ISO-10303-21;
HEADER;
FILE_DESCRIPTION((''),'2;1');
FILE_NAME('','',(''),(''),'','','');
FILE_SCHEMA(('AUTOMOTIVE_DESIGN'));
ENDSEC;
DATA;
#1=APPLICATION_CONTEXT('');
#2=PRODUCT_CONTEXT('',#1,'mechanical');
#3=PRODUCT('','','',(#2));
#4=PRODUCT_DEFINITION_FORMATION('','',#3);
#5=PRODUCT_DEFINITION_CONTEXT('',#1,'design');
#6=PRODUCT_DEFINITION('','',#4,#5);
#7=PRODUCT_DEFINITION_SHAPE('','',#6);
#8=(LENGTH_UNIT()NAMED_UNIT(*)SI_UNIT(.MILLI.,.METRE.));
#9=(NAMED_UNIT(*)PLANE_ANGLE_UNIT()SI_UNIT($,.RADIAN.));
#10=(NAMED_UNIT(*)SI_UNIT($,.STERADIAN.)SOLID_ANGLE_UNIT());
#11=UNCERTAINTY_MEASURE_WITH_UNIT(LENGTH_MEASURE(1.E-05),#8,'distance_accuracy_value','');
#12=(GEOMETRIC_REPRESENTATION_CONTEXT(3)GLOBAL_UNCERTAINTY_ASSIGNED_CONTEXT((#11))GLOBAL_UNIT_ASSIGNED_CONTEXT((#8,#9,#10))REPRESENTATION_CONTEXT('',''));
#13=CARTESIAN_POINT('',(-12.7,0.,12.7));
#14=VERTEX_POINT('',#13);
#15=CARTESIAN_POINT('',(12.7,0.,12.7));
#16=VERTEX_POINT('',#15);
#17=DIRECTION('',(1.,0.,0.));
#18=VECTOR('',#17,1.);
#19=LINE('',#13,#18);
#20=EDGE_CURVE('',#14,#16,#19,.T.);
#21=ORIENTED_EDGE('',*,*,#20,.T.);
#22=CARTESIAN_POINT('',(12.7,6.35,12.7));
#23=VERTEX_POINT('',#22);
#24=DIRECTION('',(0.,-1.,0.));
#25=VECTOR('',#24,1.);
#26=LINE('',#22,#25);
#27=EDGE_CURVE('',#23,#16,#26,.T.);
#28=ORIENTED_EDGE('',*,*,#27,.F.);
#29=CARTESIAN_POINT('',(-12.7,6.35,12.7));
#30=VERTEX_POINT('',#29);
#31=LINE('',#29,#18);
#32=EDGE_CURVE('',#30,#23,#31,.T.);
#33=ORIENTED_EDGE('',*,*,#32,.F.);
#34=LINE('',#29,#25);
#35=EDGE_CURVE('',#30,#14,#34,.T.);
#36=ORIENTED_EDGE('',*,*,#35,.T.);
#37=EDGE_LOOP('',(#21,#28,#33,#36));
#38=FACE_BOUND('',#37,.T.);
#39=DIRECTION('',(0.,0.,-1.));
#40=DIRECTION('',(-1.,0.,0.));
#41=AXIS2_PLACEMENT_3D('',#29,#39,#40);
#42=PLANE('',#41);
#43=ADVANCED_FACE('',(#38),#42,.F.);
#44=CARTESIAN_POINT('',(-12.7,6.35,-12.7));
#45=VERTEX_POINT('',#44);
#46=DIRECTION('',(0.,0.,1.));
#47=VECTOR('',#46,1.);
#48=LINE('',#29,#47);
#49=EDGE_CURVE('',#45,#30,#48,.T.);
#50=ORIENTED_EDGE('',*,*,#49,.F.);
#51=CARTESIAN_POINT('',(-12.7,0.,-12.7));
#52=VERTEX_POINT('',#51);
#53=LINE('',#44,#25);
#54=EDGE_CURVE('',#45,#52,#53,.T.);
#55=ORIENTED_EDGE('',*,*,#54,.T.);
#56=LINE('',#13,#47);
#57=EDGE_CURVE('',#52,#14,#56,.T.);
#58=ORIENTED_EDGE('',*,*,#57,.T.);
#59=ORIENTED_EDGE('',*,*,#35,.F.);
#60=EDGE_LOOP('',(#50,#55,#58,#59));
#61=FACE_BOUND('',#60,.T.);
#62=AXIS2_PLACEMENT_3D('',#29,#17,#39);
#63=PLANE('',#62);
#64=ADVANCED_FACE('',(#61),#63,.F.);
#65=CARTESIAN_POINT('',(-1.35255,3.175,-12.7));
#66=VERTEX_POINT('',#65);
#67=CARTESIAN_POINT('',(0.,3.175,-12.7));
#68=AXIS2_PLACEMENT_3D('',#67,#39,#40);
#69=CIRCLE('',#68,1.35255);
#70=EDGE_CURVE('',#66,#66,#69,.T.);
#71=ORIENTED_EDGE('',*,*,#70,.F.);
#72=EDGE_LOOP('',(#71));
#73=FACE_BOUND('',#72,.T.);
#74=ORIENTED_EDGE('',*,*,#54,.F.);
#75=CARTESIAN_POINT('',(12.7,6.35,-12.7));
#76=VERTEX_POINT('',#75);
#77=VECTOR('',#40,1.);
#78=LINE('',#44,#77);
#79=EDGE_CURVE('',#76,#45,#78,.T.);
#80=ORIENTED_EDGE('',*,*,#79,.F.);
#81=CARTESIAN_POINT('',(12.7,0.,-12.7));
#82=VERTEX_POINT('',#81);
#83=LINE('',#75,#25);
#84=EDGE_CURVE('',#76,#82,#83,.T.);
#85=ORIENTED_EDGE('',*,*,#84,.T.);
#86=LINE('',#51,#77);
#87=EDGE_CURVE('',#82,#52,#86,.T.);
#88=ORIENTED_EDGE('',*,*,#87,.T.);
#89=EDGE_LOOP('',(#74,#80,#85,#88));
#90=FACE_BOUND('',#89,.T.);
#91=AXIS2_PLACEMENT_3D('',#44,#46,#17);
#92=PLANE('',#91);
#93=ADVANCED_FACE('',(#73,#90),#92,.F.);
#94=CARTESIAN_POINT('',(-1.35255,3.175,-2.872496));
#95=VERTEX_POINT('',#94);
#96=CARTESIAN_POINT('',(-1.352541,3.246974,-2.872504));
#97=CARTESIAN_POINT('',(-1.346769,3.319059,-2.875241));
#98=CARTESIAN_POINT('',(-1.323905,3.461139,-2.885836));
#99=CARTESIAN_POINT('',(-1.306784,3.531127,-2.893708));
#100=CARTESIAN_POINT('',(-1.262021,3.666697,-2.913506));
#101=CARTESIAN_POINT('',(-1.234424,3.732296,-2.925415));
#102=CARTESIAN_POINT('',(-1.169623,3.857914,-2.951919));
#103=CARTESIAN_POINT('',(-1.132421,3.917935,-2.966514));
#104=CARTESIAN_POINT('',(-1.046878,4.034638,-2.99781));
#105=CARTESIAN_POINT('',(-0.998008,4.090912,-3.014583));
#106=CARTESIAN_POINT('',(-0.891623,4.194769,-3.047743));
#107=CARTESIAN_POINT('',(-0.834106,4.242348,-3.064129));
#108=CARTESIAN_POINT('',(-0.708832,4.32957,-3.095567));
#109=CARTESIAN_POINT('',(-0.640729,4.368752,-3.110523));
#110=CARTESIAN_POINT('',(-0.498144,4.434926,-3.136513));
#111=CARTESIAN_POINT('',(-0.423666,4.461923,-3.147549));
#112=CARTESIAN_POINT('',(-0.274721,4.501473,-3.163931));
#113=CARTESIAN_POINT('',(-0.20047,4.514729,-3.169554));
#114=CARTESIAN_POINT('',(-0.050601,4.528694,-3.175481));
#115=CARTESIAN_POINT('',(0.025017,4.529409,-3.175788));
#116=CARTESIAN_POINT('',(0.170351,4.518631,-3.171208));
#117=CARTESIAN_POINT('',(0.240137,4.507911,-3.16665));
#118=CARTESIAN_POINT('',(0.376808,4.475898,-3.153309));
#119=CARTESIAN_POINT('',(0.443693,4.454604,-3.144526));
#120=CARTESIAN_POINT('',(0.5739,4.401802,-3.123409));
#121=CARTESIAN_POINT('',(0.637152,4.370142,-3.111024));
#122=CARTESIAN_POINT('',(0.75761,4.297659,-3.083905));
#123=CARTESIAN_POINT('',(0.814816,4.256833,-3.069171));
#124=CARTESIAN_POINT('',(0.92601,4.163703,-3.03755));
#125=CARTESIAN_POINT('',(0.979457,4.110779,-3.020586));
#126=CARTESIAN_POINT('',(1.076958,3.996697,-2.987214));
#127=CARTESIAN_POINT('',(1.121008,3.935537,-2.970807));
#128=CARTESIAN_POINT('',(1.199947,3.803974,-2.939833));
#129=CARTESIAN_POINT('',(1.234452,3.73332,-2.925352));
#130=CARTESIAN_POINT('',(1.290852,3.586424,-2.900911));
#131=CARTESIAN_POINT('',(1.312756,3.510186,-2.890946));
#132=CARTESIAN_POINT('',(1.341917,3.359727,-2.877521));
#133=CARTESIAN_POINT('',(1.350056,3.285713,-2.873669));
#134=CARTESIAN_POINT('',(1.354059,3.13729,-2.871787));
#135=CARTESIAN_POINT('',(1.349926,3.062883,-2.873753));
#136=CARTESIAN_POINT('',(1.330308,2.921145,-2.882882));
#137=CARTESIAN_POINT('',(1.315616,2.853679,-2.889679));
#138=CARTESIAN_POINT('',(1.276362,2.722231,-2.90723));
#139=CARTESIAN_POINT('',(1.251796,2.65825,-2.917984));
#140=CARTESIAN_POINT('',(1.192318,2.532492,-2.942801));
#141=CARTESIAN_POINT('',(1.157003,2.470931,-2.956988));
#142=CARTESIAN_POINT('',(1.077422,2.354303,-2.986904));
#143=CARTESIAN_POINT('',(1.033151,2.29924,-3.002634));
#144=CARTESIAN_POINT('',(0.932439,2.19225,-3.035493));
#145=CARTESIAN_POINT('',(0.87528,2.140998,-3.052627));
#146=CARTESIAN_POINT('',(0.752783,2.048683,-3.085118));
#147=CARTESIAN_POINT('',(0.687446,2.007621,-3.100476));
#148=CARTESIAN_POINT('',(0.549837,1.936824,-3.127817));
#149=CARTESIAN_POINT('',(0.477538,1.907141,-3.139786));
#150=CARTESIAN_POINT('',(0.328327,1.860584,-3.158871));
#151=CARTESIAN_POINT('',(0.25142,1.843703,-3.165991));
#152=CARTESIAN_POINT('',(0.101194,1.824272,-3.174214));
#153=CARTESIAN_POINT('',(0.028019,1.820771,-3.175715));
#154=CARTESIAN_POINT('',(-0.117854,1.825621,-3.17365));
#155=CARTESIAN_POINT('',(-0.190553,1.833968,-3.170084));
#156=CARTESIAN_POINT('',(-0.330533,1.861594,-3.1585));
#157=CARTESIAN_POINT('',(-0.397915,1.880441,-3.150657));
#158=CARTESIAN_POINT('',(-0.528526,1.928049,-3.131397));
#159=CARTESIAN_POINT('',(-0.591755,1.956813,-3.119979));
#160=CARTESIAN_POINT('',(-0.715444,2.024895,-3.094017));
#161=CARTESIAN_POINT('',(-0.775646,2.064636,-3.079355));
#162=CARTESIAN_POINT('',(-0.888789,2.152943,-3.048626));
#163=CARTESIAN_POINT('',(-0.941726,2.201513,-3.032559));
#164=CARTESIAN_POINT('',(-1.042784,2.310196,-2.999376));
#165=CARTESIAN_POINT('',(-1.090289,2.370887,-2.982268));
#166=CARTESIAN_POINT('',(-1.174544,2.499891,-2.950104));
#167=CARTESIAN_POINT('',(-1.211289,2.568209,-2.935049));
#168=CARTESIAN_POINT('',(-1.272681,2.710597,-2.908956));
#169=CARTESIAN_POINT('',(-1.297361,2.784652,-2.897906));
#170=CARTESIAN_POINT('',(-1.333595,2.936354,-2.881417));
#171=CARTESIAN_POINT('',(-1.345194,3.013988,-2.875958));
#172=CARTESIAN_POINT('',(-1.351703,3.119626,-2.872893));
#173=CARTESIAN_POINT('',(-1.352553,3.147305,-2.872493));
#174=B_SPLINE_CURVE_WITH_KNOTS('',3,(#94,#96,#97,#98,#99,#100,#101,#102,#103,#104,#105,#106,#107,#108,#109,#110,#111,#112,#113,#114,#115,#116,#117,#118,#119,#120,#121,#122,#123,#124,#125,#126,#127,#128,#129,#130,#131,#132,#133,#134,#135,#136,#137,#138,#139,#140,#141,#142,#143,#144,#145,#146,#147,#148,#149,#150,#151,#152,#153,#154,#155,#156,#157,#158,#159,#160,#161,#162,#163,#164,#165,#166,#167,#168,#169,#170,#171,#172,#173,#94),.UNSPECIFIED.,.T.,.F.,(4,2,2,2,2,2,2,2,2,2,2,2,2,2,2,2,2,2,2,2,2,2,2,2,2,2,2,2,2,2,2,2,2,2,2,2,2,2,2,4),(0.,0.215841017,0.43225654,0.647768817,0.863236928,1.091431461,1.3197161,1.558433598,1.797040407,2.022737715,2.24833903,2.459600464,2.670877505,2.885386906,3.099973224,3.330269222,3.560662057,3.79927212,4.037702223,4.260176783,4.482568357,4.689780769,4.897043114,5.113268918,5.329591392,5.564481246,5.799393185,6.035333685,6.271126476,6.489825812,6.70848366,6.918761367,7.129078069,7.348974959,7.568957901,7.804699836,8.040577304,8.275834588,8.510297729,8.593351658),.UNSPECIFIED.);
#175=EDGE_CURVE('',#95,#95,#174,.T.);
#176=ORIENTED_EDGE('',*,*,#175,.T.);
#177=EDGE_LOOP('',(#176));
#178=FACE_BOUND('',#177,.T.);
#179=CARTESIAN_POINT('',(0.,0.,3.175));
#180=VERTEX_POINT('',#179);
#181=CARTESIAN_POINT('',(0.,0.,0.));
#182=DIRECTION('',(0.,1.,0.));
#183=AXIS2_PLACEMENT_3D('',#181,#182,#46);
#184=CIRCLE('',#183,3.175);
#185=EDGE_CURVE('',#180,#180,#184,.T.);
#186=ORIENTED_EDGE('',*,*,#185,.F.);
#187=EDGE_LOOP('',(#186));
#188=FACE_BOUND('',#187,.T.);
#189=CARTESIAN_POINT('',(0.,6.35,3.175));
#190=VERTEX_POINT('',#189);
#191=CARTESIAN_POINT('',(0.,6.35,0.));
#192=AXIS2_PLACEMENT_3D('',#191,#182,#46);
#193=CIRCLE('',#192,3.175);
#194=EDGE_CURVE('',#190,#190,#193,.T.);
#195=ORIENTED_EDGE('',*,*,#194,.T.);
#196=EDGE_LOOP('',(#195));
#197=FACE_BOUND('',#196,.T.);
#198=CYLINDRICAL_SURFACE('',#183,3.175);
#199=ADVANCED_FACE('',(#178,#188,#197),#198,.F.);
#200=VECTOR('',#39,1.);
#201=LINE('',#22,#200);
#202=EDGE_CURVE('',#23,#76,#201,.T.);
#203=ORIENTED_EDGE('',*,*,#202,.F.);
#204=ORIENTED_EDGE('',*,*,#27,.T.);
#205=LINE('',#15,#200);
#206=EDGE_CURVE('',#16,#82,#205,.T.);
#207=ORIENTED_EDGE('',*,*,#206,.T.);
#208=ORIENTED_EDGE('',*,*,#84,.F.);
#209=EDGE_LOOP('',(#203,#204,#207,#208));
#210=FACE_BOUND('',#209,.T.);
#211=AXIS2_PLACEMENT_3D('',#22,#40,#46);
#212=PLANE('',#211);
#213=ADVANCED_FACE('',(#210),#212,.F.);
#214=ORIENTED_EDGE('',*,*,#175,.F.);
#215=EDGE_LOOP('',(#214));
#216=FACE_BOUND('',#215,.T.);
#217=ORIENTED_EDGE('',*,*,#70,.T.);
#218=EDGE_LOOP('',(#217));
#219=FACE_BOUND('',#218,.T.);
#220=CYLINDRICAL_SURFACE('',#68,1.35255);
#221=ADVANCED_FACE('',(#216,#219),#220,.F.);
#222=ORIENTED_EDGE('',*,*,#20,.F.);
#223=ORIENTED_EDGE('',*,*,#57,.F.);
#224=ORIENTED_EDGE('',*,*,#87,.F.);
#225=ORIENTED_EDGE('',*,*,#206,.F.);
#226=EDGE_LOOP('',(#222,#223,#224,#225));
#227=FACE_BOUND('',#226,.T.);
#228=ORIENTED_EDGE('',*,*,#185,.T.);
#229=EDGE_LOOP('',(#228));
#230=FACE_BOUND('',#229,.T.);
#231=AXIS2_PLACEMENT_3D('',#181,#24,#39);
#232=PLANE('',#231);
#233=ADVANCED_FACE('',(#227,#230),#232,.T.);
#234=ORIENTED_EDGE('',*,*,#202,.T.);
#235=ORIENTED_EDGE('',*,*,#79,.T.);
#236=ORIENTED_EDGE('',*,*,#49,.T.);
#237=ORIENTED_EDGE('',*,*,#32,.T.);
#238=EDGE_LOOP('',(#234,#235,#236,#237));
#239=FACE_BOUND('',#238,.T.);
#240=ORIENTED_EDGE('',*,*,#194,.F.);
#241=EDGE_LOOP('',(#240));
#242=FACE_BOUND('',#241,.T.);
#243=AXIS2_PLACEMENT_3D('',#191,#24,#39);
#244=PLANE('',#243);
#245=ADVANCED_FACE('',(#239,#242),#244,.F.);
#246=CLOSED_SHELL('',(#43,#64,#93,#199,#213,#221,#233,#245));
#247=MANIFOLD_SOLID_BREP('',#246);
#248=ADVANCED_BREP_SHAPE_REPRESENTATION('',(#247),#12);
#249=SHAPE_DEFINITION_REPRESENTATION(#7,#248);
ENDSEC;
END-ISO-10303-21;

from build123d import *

# Parameters (mm, degrees)
SKETCH1_W                  = 25.4
SKETCH1_H                  = 25.4
BOSS_EXTRUDE1_DEPTH        = 6.35
SKETCH2_R                  = 3.175
CUT_EXTRUDE1_DEPTH         = 20.05
F_6_32_TAPPED_HOLE1_REACH  = 31.099
F_6_32_TAPPED_HOLE1_BORE_R = 1.35255


with BuildPart() as part:
    # Sketch1 → Boss-Extrude1 (new body)
    with BuildSketch(Plane(origin=(0, 0, 0), x_dir=(1, 0, 0), z_dir=(0, 1, 0))):
        Rectangle(SKETCH1_W, SKETCH1_H)
    extrude(amount=BOSS_EXTRUDE1_DEPTH)

    # Sketch2 → Cut-Extrude1 (cut, through all)
    with BuildSketch(Plane(origin=(0, 6.35, 0), x_dir=(1, 0, 0), z_dir=(0, 1, 0))):
        with Locations(Location((0, 0, 0), (0, 0, 270))):
            Circle(SKETCH2_R)
    extrude(amount=-CUT_EXTRUDE1_DEPTH, mode=Mode.SUBTRACT)

    # #6-32 Tapped Hole1 bore → #6-32 Tapped Hole1 (cut, up to next)
    with BuildSketch(Plane(origin=(0, 0, -12.7), x_dir=(-1, 0, 0), z_dir=(0, 0, -1)), mode=Mode.PRIVATE) as f_6_32_tapped_hole1_sk1:
        with Locations((0, 3.175)):
            Circle(F_6_32_TAPPED_HOLE1_BORE_R)
    f_6_32_tapped_hole1_tool1 = extrude(f_6_32_tapped_hole1_sk1.sketch, amount=-F_6_32_TAPPED_HOLE1_REACH, mode=Mode.PRIVATE) & part.part
    add(f_6_32_tapped_hole1_tool1.solids().sort_by_distance((0, 3.175, -12.7))[0], mode=Mode.SUBTRACT)


solid = part.part
